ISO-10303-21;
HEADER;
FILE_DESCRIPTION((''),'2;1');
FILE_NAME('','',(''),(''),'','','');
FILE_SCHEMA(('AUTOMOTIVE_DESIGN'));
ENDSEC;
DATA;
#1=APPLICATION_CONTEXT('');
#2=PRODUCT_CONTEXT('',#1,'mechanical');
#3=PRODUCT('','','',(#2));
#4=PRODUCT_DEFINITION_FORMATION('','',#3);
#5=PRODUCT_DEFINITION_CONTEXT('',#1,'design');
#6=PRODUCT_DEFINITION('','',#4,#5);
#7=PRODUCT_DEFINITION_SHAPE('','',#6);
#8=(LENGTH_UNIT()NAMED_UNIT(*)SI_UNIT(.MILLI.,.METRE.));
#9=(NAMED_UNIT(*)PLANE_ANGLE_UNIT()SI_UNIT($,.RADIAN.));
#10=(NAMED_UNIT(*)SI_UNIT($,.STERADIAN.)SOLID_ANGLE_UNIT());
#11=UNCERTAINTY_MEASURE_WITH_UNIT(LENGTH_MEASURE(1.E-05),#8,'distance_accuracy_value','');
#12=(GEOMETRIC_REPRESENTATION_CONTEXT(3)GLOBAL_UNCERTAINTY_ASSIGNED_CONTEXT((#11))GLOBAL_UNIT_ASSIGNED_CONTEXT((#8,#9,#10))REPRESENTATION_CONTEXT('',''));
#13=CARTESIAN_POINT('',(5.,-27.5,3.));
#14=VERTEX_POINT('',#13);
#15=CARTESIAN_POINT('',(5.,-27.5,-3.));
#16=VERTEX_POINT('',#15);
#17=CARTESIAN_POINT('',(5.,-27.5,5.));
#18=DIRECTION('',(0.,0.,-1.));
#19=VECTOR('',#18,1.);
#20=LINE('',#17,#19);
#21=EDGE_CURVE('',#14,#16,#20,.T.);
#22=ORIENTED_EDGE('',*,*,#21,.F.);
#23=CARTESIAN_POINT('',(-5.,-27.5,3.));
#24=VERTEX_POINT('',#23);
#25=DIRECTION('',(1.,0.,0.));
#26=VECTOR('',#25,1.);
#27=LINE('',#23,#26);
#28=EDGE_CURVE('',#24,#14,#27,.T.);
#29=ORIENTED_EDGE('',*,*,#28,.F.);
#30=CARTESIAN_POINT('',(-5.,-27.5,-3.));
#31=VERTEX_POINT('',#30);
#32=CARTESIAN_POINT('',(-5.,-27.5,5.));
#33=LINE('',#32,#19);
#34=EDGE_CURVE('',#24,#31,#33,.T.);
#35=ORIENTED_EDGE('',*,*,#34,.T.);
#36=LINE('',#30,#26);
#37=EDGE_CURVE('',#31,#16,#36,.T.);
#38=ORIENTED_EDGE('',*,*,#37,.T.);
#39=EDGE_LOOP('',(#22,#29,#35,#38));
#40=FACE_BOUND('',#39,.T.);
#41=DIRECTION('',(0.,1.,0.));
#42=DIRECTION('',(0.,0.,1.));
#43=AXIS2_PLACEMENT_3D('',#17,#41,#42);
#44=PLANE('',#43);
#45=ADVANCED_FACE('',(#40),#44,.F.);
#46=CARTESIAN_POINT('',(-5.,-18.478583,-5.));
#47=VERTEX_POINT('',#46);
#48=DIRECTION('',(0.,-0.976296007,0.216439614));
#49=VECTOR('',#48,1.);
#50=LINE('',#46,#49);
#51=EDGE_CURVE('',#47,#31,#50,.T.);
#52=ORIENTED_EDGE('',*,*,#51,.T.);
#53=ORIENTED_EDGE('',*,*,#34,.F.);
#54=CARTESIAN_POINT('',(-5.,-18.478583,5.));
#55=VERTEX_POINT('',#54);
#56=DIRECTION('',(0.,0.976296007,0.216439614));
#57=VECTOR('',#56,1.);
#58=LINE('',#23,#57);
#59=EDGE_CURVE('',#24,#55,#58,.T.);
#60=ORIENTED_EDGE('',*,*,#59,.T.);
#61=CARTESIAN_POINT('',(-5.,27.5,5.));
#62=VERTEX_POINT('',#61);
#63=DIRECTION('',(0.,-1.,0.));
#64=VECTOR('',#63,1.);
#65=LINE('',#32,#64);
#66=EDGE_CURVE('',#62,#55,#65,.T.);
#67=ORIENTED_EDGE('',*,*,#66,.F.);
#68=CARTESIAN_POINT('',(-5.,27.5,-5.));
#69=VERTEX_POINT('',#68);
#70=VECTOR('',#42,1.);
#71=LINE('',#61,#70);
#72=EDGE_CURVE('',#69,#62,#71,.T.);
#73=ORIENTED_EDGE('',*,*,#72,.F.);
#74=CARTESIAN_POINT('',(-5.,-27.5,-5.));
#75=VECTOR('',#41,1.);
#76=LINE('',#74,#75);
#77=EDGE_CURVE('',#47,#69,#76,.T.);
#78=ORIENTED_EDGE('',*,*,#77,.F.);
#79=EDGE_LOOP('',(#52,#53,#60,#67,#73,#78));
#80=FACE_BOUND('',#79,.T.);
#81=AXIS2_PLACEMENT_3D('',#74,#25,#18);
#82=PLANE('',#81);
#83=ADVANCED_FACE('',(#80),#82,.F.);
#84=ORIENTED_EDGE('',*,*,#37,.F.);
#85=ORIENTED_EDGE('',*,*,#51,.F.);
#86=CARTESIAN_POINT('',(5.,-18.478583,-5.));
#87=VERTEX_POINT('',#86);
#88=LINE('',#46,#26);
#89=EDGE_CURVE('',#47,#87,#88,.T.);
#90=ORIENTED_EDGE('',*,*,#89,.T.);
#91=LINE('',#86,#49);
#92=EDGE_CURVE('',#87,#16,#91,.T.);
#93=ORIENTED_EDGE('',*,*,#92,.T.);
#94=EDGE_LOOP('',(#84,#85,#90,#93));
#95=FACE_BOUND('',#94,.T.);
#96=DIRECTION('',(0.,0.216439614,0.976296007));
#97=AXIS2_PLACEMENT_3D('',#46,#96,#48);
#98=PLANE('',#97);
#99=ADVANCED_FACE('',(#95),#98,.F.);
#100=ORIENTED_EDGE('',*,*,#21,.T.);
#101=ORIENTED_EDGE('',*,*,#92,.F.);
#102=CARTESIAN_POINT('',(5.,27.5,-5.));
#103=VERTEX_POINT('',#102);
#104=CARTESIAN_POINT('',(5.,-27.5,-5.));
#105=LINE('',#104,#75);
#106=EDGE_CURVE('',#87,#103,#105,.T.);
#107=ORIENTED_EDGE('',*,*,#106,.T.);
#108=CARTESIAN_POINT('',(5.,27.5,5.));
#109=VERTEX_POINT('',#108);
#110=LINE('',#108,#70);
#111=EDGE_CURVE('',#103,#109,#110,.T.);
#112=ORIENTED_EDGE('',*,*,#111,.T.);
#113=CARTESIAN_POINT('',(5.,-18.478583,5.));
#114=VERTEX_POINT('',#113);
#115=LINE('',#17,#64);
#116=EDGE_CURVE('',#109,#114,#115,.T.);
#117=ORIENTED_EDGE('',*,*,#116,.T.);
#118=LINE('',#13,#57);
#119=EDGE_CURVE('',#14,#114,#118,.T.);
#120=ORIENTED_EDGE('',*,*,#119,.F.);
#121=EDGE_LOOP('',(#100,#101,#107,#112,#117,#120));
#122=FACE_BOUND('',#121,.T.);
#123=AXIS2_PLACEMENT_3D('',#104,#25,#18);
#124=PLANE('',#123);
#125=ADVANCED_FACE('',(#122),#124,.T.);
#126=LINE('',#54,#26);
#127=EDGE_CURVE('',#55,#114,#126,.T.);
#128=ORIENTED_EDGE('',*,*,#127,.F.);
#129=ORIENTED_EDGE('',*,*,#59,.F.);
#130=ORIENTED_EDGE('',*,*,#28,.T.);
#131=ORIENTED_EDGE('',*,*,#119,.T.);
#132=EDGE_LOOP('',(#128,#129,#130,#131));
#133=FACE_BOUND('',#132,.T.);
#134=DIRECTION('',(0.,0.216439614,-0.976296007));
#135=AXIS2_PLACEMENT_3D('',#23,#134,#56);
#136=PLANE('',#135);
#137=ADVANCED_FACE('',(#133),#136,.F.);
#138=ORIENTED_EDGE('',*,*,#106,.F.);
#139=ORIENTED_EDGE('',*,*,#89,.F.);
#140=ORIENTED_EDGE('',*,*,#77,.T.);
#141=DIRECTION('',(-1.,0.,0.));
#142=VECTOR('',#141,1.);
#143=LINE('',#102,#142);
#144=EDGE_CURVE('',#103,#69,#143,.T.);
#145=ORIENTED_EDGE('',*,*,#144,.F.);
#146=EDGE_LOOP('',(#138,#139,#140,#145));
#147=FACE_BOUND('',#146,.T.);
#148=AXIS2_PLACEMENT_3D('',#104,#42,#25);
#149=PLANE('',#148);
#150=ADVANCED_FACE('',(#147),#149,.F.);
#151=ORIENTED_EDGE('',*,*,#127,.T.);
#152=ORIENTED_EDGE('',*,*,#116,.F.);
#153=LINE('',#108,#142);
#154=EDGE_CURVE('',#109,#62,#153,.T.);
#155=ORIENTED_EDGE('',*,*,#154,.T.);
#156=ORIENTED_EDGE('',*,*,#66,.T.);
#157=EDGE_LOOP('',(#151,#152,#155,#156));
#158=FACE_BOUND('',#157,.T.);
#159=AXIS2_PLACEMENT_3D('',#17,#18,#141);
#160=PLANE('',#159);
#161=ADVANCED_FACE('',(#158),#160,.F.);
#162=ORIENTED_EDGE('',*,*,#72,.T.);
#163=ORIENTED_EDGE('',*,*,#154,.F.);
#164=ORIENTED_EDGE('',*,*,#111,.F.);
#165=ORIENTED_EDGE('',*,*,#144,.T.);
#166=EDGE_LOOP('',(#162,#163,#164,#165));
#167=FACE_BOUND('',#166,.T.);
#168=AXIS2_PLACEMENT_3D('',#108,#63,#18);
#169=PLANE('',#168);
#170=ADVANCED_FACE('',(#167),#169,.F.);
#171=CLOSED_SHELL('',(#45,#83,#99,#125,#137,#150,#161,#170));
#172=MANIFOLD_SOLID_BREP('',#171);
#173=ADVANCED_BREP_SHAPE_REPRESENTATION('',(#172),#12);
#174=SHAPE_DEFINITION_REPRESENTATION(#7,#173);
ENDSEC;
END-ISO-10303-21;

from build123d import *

# Parameters (mm, degrees)
PLAT_W                       = 55
PLAT_H                       = 10
EL_MENT_M_CANO_SOUD_1_DEPTH  = 10
ENL_V_MAT_EXTRU_1_DEPTH      = 6
ENL_V_MAT_EXTRU_1_DEPTH_BACK = 6


with BuildPart() as part:
    # plat → Elément mécano-soudé1 (new body)
    with BuildSketch(Plane.YZ.offset(-5)):
        Rectangle(PLAT_W, PLAT_H)
    extrude(amount=EL_MENT_M_CANO_SOUD_1_DEPTH)

    # Esquisse2 → Enlèv. mat.-Extru.1 (cut, two sides)
    with BuildSketch(Plane(origin=(0, 0, 0), x_dir=(0, 0, -1), z_dir=(1, 0, 0))) as enl_v_mat_extru_1_sk:
        Polygon((-3, -27.5), (-5, -18.478582993), (-5, -27.5), align=None)
        Polygon((5, -27.5), (5, -18.478582993), (3, -27.5), align=None)
    extrude(amount=ENL_V_MAT_EXTRU_1_DEPTH, mode=Mode.SUBTRACT)
    extrude(enl_v_mat_extru_1_sk.sketch, amount=-ENL_V_MAT_EXTRU_1_DEPTH_BACK, mode=Mode.SUBTRACT)


solid = part.part
